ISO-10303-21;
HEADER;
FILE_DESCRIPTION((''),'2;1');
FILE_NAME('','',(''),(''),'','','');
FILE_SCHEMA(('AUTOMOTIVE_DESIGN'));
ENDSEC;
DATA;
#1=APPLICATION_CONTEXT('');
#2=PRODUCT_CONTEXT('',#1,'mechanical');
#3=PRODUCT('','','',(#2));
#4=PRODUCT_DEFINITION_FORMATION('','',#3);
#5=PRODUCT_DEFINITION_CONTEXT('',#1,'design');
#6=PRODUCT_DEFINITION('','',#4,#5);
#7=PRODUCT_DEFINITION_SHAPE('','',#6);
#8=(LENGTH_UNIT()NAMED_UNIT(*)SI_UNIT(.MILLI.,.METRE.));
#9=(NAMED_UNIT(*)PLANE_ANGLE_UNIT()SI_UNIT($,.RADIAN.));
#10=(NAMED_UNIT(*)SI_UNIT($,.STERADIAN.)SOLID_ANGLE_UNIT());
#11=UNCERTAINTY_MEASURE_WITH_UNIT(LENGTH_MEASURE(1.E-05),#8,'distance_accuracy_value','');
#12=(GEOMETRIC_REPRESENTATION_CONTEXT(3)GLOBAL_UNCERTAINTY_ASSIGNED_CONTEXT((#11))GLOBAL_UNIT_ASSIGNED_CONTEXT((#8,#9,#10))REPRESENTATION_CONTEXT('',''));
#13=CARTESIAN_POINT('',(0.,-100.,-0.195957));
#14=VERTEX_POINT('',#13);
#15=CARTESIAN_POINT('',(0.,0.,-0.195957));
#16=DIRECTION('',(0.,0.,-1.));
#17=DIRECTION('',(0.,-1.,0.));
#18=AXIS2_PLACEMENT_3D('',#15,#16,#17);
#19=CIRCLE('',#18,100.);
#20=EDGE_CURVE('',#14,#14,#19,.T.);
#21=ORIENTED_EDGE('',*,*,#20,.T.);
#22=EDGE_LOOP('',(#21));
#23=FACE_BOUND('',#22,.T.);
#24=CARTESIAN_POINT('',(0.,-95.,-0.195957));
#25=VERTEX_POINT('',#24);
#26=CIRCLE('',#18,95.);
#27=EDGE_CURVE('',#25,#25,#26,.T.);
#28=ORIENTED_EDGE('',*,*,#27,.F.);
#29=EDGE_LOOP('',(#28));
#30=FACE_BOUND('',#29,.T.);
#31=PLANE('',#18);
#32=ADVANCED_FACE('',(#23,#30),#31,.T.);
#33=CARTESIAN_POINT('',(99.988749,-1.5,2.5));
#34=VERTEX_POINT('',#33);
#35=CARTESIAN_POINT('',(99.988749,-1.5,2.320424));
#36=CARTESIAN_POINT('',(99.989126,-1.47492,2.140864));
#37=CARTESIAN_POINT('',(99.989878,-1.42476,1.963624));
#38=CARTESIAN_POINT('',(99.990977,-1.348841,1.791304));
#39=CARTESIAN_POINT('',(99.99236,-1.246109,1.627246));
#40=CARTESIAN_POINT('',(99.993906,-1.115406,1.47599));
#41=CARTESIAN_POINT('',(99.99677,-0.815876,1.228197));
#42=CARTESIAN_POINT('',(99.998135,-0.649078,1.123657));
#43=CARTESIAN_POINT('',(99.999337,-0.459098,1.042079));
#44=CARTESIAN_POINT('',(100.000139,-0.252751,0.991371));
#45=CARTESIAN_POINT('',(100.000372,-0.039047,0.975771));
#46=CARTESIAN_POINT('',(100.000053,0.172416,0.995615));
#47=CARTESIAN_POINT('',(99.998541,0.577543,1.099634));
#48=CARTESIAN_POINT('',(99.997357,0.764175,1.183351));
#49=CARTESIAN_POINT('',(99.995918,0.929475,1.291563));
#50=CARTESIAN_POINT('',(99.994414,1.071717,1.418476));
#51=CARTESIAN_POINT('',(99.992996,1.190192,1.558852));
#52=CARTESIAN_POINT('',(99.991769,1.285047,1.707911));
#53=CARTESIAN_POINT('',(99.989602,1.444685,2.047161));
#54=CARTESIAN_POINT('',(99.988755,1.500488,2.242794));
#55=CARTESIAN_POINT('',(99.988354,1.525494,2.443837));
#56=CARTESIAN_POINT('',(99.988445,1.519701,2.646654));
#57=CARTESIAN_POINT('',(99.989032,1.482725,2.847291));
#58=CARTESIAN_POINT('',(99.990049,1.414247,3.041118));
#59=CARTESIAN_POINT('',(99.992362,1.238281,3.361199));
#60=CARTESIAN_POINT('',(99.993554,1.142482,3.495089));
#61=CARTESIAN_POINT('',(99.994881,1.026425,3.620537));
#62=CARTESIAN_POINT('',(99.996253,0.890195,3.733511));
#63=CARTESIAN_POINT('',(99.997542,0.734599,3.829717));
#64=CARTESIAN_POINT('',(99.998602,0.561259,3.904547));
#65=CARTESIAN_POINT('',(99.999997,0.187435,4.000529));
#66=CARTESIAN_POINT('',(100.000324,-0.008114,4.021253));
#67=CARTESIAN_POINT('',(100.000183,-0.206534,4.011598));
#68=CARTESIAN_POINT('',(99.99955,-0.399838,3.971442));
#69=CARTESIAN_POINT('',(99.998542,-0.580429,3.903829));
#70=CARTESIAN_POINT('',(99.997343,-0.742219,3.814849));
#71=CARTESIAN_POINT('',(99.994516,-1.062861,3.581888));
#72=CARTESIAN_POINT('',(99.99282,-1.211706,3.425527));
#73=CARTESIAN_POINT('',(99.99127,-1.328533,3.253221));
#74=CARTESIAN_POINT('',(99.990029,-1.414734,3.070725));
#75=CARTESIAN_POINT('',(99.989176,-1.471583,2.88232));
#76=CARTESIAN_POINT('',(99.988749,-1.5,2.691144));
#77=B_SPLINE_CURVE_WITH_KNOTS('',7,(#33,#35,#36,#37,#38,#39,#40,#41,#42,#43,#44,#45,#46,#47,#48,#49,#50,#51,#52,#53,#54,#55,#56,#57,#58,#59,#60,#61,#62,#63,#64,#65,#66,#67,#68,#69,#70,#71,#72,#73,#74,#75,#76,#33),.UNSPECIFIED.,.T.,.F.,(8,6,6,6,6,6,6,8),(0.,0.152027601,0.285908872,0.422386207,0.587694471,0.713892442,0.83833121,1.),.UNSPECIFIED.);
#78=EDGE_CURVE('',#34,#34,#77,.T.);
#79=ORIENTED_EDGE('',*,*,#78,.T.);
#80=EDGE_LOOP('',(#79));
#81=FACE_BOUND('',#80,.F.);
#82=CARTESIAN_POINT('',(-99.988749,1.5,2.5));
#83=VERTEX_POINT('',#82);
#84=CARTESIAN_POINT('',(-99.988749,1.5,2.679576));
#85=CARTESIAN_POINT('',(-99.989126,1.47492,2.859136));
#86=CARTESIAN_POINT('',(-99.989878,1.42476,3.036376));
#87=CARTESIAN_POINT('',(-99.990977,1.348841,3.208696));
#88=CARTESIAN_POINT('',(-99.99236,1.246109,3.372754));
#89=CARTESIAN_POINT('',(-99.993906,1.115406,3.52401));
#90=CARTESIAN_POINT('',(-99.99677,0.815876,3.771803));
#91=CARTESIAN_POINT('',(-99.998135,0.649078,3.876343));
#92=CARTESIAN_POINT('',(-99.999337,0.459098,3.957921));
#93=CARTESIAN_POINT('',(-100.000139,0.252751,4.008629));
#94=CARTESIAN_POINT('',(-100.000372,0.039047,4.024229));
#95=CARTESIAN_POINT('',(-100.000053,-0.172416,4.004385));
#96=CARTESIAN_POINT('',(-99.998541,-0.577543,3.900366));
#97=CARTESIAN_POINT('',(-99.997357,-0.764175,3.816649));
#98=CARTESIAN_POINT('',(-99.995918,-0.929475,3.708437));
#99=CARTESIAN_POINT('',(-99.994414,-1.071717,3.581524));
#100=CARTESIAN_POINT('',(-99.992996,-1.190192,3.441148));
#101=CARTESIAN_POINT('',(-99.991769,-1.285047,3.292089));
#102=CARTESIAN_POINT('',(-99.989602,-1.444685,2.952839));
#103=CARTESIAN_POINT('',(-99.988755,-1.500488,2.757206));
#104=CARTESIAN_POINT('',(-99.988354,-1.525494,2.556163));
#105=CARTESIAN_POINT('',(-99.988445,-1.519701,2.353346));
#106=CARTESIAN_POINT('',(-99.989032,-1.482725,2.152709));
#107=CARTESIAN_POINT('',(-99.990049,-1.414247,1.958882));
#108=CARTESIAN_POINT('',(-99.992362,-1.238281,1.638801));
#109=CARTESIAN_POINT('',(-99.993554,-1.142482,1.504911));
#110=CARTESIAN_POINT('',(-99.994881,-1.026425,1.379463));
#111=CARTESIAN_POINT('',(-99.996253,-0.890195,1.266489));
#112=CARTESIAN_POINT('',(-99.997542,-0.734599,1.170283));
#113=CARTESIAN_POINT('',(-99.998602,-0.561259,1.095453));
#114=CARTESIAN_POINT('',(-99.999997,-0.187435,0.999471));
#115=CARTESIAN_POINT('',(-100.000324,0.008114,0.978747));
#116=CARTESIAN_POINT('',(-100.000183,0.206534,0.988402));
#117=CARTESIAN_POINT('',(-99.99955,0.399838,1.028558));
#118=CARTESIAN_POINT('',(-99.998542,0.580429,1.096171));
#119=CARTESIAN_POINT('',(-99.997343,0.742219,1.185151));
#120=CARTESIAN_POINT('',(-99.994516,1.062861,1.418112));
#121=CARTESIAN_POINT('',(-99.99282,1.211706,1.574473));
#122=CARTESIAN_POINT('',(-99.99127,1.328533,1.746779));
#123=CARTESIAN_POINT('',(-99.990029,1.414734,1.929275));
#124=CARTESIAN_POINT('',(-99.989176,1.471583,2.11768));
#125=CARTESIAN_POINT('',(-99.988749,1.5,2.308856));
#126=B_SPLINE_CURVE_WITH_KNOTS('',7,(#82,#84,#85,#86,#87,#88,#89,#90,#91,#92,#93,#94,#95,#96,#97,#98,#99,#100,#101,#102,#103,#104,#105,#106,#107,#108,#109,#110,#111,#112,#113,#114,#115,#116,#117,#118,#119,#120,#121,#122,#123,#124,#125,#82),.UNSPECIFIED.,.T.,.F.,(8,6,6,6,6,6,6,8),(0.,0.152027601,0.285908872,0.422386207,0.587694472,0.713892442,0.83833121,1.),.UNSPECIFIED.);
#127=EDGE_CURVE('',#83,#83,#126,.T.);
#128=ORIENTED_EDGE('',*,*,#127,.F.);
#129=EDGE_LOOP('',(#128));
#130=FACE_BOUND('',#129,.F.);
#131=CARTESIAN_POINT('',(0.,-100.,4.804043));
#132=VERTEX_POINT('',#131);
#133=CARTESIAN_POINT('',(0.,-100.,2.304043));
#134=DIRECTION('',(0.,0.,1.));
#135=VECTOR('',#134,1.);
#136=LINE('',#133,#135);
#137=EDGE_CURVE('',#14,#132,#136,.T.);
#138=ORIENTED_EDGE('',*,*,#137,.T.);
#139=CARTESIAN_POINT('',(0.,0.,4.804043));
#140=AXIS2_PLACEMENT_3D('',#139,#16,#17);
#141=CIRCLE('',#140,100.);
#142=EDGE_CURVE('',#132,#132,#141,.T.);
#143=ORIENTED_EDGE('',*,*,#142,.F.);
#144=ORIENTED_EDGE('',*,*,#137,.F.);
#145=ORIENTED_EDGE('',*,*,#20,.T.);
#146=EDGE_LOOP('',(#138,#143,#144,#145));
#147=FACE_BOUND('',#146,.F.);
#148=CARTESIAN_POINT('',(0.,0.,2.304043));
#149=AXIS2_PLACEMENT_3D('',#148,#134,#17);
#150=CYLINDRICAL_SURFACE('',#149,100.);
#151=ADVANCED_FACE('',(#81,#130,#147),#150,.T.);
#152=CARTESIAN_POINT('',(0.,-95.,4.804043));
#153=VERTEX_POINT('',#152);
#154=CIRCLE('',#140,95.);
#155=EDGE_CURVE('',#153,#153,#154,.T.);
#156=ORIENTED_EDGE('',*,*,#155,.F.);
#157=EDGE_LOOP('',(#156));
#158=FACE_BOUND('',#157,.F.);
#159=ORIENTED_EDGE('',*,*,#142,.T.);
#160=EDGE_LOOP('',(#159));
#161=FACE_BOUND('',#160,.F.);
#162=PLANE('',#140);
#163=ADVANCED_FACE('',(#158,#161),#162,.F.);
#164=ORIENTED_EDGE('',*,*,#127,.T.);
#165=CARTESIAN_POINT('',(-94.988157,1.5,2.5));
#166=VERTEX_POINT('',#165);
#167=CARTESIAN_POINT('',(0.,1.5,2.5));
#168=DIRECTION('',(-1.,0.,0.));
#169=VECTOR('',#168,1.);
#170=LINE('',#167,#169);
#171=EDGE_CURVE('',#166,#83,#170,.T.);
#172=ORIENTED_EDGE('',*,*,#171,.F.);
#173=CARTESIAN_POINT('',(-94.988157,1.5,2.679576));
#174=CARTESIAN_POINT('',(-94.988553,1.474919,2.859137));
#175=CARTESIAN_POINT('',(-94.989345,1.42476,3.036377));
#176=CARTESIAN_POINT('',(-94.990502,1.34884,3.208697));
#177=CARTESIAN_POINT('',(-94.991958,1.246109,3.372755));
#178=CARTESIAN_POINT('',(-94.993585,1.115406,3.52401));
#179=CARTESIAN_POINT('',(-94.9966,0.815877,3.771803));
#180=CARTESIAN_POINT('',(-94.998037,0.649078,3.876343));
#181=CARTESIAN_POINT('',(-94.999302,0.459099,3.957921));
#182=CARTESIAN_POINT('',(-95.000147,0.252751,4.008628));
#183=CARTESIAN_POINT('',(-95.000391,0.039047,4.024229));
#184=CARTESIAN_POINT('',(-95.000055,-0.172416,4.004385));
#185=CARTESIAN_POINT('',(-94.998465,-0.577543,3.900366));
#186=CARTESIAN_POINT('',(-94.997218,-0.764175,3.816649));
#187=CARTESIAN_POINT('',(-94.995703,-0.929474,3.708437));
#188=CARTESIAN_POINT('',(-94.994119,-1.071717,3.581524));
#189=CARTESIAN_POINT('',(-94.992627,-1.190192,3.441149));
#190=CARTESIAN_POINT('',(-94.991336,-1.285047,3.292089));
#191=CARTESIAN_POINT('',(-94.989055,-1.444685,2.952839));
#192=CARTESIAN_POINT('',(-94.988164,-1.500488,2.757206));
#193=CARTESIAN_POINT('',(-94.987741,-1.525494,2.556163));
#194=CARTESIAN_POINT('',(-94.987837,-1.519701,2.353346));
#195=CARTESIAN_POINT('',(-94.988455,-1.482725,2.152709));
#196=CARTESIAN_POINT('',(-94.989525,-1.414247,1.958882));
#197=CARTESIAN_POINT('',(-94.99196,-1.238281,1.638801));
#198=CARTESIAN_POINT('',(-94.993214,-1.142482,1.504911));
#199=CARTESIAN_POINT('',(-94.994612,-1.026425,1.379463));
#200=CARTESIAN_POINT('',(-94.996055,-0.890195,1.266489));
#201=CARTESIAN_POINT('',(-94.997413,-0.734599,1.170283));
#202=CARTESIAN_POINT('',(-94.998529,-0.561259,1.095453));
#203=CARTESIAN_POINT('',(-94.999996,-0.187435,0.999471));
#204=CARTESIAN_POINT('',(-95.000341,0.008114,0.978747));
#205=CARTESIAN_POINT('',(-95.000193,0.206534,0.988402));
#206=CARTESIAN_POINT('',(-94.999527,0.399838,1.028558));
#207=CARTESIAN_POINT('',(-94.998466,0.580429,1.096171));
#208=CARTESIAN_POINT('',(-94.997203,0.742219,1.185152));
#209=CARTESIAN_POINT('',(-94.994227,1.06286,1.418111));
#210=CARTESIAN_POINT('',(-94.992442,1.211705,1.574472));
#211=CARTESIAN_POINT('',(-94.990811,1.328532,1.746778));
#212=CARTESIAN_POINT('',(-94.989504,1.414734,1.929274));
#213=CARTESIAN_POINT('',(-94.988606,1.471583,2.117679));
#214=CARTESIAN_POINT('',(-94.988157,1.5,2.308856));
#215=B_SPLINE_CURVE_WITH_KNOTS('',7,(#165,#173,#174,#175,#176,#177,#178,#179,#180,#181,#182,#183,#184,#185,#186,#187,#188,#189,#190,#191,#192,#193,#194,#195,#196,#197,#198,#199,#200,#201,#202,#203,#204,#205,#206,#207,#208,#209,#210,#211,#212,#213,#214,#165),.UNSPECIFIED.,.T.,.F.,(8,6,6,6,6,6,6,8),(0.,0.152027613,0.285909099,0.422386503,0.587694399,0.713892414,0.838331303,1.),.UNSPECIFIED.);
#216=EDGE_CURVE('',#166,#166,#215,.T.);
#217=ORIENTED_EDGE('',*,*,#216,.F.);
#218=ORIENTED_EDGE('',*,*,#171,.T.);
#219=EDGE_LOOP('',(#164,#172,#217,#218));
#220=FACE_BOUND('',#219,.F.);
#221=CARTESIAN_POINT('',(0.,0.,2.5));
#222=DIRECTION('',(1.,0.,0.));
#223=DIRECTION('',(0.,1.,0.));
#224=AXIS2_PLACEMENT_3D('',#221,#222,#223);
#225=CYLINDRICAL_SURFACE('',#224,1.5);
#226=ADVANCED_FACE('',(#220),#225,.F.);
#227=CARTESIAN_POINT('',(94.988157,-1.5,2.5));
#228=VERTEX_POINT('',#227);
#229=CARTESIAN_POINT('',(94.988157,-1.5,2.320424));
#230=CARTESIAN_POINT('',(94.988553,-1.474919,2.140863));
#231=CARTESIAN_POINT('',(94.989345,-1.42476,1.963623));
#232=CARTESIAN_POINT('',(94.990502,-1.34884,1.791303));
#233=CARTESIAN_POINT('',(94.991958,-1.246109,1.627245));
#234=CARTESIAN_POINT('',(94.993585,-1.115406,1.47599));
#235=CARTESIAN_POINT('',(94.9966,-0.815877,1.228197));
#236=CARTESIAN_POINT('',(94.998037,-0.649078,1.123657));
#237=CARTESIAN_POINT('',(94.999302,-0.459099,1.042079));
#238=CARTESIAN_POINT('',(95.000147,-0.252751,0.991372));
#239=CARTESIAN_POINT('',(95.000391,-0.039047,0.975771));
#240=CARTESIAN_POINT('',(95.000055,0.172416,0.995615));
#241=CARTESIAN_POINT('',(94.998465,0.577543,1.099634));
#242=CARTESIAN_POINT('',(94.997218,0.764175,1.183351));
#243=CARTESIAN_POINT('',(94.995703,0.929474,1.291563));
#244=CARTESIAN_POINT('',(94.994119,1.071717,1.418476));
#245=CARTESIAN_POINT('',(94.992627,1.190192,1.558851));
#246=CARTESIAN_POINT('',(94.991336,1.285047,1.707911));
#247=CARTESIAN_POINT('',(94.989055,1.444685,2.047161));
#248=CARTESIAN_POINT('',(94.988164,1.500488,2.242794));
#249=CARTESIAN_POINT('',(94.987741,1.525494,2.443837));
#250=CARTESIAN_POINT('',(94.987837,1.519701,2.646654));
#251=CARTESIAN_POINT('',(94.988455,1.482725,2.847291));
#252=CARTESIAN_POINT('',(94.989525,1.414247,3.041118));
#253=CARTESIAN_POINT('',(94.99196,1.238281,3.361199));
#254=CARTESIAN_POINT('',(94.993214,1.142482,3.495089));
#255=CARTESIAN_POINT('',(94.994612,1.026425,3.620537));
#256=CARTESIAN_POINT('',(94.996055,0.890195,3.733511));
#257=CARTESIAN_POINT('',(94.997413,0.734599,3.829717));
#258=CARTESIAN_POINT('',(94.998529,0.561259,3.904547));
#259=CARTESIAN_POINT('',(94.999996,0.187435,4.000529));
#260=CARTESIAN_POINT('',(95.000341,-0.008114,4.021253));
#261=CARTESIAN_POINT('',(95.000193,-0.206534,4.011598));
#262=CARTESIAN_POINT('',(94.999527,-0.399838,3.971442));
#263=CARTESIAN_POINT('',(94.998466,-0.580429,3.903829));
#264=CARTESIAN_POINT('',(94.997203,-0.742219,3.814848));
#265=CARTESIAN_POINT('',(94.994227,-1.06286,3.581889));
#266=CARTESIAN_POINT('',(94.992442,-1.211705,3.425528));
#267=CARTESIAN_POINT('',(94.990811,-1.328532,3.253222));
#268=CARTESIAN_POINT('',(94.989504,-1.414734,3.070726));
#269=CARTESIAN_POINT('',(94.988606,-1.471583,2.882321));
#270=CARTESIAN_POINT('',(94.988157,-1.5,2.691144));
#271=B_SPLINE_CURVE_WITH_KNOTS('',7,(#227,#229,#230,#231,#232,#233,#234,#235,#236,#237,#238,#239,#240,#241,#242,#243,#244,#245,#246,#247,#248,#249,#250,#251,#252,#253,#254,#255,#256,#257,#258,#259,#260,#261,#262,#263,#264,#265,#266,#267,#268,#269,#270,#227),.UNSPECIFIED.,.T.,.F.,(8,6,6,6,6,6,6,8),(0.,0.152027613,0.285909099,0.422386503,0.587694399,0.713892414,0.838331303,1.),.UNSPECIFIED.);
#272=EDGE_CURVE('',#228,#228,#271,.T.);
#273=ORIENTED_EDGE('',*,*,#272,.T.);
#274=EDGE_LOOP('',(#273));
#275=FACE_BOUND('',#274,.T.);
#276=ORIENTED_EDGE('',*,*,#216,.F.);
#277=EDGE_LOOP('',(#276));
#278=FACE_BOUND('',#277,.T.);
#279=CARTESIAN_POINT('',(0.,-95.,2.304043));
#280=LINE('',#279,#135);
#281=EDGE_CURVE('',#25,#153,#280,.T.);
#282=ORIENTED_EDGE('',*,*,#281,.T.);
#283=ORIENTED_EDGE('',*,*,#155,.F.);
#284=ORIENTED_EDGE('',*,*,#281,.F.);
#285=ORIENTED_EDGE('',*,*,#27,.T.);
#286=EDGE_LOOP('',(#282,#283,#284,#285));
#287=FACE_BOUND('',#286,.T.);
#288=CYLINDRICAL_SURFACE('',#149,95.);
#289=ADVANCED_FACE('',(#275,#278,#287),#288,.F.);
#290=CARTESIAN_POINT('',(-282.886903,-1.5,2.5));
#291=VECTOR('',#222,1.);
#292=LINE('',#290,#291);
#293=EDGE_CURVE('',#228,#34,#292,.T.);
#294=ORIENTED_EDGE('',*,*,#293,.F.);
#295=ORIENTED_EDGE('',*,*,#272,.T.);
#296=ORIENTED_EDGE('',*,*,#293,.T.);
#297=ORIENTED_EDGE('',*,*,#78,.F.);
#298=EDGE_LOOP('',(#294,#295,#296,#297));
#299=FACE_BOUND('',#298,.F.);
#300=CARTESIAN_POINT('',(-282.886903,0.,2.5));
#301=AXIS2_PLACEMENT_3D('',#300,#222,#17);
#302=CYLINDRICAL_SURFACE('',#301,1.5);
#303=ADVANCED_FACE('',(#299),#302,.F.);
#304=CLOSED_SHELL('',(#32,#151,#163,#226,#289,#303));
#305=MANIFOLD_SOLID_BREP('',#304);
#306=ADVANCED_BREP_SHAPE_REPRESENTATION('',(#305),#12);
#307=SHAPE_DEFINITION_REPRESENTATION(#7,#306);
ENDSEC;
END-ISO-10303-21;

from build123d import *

# Parameters (mm, degrees)
F0_W     = 5
F0_H     = 5
F2_D     = 3
F2_DEPTH = 100.001
F3_D     = 3


with BuildPart() as f1:
    # F0 (on Right) → F1 (revolve)
    with BuildSketch(Plane.YZ):
        with Locations((-97.5, 2.3040431552)):
            Rectangle(F0_W, F0_H)
    revolve(axis=Axis((0, 0, 1.25), (0, 0, -1)))

    # F2 (through all, one way)
    with BuildSketch(Plane.YZ):
        with Locations((0, 2.5)):
            Circle(F2_D / 2)
    extrude(amount=-F2_DEPTH, mode=Mode.SUBTRACT)

    # F3 (through all)
    with Locations(Plane(origin=(0, 0, 0), x_dir=(0, 1, 0), z_dir=(-1, 0, 0))):
        with Locations((0, -2.5)):
            Hole(F3_D / 2)


solid = f1.part
